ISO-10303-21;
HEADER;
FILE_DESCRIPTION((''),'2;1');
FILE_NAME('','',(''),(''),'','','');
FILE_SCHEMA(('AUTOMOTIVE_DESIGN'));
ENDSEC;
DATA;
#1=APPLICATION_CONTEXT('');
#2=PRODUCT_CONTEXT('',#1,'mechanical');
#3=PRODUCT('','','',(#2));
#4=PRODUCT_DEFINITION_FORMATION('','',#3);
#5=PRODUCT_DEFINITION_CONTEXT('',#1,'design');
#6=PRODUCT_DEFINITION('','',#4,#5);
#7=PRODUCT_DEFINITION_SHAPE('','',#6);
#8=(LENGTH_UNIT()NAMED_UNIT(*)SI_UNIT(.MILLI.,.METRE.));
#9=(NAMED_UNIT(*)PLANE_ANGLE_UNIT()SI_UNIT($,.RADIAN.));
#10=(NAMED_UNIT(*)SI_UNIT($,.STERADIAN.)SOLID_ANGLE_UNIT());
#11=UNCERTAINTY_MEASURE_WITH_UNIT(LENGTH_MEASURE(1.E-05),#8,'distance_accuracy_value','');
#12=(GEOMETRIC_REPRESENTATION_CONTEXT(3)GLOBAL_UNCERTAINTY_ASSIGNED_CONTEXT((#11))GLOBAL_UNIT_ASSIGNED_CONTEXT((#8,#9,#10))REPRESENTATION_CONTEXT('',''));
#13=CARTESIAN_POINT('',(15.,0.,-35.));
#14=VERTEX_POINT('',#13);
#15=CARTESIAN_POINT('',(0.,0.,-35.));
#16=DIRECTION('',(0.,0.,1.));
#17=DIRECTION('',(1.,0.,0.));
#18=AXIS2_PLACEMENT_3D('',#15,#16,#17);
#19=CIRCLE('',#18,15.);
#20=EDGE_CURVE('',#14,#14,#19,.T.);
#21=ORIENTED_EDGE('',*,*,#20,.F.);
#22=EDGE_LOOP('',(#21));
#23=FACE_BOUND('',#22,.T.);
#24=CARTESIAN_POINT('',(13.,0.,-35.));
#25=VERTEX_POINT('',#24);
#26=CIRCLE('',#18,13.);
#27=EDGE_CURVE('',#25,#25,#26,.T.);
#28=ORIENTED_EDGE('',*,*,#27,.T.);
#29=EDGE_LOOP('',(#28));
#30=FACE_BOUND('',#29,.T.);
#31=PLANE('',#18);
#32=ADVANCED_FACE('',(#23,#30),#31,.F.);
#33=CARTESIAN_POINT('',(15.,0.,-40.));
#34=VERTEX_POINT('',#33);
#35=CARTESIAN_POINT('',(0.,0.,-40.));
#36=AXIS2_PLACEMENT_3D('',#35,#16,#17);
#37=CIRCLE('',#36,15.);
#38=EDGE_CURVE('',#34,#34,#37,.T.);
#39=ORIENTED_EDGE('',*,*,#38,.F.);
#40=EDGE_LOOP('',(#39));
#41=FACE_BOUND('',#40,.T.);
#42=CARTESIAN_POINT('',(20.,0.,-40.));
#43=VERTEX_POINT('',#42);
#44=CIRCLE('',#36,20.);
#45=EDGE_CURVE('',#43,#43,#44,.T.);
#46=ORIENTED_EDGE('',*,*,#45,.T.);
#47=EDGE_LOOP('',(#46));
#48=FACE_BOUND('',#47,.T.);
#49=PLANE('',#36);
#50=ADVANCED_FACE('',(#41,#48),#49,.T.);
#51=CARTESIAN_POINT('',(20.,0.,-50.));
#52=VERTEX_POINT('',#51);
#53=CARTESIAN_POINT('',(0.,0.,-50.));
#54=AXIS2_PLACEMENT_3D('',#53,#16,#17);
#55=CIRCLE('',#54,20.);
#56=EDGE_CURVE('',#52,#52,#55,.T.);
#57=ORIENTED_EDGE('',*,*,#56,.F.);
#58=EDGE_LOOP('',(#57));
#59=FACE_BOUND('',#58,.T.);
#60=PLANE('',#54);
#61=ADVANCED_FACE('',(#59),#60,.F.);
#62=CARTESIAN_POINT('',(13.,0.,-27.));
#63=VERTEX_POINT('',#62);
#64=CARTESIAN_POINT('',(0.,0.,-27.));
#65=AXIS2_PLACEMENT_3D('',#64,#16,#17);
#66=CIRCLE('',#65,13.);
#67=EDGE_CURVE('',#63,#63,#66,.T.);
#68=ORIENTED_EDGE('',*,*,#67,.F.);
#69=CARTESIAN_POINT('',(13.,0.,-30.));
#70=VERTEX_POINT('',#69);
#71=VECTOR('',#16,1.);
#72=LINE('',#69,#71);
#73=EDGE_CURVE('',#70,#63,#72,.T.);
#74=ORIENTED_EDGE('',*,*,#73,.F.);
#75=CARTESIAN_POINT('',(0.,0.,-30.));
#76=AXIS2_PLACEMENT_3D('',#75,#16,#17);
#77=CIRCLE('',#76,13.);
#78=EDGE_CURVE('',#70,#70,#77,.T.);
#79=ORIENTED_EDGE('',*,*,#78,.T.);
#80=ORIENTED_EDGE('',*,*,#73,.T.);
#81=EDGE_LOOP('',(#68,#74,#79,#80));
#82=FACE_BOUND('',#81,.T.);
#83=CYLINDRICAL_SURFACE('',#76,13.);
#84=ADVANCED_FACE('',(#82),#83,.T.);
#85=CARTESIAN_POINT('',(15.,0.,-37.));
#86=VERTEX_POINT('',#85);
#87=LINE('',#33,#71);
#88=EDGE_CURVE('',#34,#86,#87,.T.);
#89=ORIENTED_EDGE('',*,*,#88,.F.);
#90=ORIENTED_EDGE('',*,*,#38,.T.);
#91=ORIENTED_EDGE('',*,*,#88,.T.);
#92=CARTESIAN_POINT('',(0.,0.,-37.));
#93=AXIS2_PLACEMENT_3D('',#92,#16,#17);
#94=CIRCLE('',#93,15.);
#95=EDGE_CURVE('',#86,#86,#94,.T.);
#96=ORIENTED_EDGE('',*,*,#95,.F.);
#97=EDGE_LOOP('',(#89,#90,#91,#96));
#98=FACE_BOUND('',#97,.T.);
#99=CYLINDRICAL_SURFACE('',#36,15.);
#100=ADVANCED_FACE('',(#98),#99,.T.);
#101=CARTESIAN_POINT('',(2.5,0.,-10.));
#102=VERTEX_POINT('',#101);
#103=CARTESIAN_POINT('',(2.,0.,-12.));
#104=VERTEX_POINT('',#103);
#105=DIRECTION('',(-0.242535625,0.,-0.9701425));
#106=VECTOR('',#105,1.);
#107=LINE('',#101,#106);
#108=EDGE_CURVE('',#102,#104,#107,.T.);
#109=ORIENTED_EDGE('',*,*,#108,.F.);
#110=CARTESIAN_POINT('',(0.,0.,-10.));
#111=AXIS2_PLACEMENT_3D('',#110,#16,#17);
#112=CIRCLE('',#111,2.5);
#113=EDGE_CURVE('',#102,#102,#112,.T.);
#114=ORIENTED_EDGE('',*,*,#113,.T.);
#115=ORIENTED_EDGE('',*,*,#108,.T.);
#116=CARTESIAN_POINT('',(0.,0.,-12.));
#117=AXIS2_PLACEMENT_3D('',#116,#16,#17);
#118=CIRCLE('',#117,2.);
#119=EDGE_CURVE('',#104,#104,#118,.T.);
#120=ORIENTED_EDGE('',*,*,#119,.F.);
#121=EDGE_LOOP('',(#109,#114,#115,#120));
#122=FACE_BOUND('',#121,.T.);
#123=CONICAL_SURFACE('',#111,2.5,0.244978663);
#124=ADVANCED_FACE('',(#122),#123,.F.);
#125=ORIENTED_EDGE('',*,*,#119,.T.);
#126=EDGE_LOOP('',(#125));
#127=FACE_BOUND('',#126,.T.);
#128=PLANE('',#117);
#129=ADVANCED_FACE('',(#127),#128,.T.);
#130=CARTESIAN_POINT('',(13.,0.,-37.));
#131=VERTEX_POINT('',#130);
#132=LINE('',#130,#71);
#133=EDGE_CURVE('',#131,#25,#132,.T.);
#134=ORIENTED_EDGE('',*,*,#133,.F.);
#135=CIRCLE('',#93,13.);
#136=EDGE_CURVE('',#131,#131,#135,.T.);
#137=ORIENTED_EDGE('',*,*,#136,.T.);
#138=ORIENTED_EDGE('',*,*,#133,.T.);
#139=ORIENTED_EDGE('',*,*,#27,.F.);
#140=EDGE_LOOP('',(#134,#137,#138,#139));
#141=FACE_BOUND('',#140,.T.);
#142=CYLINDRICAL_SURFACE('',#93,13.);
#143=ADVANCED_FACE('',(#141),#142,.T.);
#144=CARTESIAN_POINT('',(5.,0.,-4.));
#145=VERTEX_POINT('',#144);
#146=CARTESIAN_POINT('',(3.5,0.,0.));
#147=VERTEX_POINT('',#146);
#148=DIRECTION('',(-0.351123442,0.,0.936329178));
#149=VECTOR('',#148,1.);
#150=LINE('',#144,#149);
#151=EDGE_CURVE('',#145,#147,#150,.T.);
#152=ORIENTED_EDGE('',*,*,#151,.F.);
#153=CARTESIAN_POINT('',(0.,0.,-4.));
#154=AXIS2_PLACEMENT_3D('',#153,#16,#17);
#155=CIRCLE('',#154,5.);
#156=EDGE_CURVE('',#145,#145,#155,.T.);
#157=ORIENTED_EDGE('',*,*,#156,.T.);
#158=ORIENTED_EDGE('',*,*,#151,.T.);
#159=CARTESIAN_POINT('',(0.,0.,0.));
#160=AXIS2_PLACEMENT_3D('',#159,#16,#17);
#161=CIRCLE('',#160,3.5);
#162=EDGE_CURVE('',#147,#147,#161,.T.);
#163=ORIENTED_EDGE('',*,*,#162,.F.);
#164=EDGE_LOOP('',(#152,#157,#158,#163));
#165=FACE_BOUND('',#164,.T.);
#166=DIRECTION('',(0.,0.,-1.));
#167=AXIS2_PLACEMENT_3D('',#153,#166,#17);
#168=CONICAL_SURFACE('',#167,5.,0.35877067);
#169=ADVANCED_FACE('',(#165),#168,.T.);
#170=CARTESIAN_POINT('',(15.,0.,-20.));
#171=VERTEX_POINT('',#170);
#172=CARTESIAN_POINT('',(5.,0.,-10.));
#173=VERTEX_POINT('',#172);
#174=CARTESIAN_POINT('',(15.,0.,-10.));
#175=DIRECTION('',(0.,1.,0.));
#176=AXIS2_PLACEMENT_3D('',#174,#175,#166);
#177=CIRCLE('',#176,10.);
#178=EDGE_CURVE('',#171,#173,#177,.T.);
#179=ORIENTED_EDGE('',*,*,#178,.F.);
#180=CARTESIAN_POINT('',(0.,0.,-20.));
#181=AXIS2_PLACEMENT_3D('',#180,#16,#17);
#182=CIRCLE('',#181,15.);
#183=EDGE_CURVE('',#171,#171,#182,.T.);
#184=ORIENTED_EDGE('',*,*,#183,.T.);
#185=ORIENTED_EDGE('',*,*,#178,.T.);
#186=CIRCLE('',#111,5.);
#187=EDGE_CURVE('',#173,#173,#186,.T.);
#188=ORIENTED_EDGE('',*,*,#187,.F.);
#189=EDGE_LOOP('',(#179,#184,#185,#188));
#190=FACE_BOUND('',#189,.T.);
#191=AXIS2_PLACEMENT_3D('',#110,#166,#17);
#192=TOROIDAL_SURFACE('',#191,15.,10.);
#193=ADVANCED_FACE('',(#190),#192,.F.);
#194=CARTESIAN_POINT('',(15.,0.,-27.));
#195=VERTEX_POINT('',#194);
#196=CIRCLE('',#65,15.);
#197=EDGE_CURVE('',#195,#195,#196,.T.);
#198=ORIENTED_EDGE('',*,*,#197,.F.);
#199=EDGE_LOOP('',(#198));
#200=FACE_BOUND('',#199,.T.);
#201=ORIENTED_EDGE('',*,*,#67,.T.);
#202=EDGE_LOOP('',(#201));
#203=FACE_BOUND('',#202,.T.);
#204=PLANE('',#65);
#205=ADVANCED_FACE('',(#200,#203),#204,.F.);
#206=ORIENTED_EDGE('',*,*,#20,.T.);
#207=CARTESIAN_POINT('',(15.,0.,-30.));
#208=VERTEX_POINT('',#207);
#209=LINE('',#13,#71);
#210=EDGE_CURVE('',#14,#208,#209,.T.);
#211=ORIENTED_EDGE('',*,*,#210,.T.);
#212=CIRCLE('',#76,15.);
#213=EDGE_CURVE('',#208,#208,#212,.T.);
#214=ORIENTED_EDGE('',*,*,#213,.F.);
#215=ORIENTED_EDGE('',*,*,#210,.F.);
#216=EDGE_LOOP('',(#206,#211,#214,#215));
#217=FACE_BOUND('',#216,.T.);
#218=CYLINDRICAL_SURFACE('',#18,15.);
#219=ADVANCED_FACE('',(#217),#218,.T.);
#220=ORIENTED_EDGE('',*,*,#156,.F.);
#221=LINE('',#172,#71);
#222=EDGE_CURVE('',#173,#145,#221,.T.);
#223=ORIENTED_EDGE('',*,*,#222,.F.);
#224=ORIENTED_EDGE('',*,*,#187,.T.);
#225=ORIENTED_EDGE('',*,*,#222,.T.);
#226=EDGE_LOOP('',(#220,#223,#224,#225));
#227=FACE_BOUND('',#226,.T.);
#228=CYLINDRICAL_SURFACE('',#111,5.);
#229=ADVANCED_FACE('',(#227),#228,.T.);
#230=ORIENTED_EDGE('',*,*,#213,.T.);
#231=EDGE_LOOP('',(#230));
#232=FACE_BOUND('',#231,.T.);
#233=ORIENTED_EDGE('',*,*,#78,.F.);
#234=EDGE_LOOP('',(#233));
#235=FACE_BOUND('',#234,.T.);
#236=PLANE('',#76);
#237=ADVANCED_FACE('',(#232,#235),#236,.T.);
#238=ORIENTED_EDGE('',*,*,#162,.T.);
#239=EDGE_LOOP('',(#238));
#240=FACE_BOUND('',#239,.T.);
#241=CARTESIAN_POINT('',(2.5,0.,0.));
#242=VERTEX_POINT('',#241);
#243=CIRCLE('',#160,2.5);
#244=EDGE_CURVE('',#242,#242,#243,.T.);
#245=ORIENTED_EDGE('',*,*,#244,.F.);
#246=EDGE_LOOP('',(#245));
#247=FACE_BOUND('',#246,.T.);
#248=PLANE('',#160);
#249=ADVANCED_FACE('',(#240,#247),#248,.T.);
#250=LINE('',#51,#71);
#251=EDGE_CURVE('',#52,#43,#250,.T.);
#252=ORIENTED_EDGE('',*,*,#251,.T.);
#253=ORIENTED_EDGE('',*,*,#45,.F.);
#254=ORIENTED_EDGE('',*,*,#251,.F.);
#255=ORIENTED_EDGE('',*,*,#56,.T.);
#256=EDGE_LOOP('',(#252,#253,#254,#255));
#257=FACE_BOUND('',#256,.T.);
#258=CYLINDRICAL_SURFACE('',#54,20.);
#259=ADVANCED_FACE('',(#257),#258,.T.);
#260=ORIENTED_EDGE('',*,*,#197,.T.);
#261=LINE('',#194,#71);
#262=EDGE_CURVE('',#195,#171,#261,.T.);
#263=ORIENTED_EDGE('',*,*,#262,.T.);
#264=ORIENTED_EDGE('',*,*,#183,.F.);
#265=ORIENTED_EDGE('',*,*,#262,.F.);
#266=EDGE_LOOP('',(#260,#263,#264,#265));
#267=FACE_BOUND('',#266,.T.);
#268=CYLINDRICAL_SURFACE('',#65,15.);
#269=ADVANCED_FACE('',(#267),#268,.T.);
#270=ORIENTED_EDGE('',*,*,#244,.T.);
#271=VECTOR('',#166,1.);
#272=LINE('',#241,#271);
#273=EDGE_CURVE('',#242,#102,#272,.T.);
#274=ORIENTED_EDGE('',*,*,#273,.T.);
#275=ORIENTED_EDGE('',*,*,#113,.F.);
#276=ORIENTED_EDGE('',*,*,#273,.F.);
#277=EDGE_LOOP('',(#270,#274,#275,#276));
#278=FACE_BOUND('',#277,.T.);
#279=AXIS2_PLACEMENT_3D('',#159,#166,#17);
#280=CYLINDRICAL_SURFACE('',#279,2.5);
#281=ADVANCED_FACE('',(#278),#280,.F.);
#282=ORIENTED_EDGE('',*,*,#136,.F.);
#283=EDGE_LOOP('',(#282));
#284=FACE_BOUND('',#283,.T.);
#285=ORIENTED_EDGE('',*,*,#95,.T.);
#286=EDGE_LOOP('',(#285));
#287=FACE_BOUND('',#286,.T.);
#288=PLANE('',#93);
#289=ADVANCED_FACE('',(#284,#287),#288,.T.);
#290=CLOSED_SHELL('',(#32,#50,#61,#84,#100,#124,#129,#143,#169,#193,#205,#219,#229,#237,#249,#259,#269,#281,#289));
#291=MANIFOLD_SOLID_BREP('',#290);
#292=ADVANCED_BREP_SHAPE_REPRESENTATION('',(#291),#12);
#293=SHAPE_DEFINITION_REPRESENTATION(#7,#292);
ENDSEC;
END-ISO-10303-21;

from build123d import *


with BuildPart() as f1:
    # F0 (on Front) → F1 (revolve)
    with BuildSketch(Plane.XZ):
        with BuildLine():
            Line((3.5, 0), (2.5, 0))
            Line((2.5, 0), (2.5, -10))
            Line((2.5, -10), (2, -12))
            Line((2, -12), (0, -12))
            Line((0, -12), (0, -50))
            Line((0, -50), (20, -50))
            Line((20, -50), (20, -40))
            Line((20, -40), (15, -40))
            Line((15, -40), (15, -37))
            Line((15, -37), (13, -37))
            Line((13, -37), (13, -35))
            Line((13, -35), (15, -35))
            Line((15, -35), (15, -30))
            Line((15, -30), (13, -30))
            Line((13, -30), (13, -27))
            Line((13, -27), (15, -27))
            Line((15, -27), (15, -20))
            ThreePointArc((15, -20), (7.9289321881, -17.0710678119), (5, -10))
            Line((5, -10), (5, -4))
            Line((5, -4), (3.5, 0))
        make_face()
    revolve(axis=Axis((0, 0, -25), (0, 0, 1)))


solid = f1.part
